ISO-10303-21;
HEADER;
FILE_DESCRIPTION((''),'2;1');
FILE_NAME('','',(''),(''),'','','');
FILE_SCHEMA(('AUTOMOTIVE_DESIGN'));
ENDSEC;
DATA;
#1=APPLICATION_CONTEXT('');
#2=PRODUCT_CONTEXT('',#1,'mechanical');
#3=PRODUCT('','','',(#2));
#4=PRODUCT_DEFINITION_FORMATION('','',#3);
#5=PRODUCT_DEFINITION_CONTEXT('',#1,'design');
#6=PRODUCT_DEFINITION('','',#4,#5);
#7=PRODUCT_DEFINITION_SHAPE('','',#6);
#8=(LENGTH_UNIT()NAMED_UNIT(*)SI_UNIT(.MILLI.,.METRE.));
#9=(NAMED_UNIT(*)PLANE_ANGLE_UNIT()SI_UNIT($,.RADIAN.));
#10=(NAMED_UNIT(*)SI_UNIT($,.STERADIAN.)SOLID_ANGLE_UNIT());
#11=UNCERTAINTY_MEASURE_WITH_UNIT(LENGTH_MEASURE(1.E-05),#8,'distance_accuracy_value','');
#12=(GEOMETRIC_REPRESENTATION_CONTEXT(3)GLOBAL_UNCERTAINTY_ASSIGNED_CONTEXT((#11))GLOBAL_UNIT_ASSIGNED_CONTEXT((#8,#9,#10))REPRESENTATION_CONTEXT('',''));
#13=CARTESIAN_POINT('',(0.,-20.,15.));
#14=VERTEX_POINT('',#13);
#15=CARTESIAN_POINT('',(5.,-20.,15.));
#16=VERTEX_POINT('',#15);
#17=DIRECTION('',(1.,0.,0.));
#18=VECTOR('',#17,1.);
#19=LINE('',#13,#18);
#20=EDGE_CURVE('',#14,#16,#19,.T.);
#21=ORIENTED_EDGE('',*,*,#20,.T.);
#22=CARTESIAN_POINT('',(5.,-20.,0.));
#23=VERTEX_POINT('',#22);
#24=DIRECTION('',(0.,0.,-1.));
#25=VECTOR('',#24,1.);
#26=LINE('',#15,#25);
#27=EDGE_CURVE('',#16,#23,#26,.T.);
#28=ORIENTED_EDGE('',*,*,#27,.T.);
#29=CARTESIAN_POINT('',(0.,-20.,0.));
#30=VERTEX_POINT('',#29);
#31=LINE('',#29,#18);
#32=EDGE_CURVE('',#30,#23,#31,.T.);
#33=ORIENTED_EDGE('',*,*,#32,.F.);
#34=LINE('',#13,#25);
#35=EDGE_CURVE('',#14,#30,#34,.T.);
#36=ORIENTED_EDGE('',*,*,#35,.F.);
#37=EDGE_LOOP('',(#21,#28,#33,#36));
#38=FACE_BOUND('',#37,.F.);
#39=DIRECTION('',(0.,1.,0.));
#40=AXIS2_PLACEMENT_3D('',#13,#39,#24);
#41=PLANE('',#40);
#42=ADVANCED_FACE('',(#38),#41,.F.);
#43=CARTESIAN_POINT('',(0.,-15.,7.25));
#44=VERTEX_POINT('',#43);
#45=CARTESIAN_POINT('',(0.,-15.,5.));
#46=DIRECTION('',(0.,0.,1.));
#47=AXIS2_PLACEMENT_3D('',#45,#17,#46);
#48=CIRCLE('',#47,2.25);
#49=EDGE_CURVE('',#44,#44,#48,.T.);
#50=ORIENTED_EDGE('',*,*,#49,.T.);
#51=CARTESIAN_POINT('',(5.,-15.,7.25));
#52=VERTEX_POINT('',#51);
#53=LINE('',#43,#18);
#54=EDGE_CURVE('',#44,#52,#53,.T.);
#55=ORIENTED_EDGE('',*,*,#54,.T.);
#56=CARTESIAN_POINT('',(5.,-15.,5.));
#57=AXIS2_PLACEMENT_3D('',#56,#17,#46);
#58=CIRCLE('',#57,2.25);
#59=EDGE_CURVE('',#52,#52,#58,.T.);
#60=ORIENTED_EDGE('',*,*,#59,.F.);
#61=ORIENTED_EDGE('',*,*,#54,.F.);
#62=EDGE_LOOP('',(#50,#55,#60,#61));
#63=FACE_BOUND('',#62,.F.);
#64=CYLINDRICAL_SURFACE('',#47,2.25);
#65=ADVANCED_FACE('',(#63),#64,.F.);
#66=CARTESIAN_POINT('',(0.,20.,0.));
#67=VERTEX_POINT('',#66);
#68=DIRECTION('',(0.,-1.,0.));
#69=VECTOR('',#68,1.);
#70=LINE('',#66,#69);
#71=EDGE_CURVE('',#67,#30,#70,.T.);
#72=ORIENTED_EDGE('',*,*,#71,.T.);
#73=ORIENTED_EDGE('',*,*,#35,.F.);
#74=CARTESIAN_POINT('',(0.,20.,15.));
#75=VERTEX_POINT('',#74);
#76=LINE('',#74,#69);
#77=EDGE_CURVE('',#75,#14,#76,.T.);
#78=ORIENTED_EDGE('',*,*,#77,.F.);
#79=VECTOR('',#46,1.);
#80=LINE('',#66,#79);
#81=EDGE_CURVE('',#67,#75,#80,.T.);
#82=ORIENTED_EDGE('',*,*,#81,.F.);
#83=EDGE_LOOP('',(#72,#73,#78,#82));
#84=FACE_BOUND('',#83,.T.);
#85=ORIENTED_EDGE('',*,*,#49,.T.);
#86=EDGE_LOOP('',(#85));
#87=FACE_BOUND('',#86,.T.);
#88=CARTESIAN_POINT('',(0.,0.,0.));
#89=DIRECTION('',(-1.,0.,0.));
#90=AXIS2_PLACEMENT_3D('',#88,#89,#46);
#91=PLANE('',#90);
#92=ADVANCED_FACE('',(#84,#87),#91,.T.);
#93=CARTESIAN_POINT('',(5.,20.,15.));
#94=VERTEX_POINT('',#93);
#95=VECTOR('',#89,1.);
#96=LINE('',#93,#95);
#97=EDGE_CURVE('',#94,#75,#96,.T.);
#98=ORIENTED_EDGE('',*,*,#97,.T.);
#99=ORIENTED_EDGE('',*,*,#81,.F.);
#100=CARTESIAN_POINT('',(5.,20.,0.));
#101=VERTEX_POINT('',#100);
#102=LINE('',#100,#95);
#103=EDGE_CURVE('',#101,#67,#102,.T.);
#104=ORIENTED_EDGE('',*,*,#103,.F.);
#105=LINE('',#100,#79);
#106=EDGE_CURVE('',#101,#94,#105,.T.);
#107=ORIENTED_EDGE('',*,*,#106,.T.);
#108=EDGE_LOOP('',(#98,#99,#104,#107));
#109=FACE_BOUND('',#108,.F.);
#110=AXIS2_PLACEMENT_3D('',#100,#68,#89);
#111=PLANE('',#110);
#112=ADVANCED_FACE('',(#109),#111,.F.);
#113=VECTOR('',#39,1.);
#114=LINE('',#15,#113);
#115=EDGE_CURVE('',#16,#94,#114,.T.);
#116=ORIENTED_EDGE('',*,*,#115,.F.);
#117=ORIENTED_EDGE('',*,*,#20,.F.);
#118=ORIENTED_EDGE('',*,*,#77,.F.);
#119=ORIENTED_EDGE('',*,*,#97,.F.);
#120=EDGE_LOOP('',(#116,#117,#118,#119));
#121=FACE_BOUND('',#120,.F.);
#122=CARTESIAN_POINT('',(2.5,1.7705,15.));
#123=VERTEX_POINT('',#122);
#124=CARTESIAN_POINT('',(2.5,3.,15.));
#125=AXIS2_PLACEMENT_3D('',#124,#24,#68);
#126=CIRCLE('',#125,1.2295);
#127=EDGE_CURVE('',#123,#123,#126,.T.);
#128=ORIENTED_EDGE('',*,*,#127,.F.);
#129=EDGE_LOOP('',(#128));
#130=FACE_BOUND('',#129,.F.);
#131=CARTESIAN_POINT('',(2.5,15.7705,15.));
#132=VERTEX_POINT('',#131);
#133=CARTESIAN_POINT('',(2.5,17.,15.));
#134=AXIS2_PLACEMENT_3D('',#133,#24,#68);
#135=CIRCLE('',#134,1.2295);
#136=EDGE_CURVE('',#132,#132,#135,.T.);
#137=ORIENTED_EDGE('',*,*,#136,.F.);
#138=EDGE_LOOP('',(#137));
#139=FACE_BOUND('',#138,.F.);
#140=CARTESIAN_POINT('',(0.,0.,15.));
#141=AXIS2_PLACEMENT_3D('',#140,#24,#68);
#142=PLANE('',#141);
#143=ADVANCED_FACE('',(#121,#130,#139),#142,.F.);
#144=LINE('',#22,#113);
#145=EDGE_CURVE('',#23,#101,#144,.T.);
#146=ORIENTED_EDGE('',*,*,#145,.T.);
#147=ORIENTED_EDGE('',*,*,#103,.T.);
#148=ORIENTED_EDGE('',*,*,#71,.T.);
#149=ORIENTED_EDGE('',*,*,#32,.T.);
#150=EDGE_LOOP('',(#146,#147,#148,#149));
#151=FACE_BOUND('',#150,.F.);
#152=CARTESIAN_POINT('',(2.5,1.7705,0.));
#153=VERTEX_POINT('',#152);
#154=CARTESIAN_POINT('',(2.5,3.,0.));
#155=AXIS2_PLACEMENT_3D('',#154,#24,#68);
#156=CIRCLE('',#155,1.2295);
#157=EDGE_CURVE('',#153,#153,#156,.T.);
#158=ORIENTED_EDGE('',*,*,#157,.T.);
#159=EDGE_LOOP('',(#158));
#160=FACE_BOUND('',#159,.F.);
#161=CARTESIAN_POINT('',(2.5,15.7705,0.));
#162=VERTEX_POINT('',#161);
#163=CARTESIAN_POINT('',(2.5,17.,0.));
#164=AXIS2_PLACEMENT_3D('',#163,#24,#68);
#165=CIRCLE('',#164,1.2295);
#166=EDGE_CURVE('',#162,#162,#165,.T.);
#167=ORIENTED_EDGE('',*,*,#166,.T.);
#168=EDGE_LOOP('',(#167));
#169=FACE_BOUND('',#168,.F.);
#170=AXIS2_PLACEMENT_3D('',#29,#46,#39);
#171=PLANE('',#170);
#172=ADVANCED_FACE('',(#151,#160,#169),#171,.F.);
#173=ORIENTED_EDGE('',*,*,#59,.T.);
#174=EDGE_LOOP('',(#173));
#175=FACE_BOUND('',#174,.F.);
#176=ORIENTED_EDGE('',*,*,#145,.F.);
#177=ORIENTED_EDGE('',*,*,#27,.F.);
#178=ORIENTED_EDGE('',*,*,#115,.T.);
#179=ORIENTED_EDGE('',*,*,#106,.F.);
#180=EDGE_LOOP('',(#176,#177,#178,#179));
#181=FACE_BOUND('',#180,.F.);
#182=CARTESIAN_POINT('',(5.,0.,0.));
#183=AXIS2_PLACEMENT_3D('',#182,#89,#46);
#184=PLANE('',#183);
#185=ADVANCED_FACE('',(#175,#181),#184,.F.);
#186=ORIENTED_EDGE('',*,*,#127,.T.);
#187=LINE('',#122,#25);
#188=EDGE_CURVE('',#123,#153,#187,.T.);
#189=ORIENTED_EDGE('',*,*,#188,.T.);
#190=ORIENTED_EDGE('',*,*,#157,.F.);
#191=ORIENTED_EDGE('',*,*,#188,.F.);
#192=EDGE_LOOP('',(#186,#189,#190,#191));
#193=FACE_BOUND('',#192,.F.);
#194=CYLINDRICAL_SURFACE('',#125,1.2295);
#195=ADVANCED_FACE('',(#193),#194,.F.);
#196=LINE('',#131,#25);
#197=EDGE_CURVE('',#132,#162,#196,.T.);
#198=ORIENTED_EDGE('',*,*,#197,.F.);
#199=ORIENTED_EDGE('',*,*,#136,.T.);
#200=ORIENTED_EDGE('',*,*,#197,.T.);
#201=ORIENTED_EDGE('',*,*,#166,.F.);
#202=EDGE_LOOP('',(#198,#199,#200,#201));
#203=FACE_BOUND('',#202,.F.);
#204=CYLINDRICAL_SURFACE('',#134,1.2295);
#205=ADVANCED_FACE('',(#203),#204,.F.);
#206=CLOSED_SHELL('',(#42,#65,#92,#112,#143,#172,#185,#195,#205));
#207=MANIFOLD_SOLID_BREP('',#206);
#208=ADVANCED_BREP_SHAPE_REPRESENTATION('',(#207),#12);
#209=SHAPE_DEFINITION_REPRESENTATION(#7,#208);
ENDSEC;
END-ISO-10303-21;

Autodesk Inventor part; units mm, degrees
ref_plane "YZ Plane" through (0, 0, 0) normal (1, 0, 0) x (0, 1, 0)
ref_plane "XZ Plane" through (0, 0, 0) normal (0, 1, 0) x (-1, 0, 0)
ref_plane "XY Plane" through (0, 0, 0) normal (0, 0, 1) x (1, 0, 0)
sketch "Sketch1" plane through (0, 0, 0) normal (0, 0, 1) x (1, 0, 0)
  line L0 (0, 0) -> (5, 0)
  line L1 (5, 0) -> (5, 20)
  line L2 (5, 20) -> (0, 20)
  line L3 (0, 20) -> (0, 0)
  dimension "d0" = 5
  dimension "d1" = 20
extrude "Extrusion1" add sketch "Sketch1" along normal blind 15
sketch "Sketch2" plane through (0, 0, 15) normal (0, 0, 1) x (1, 0, 0)
  line L0 (5, 20) -> (0, 20) projected
  circle A0 centre (2.5, 3) radius 1.5
  line L1 (0, 20) -> (0, 0) projected
  line L2 (0, 10) -> (5, 10)
  line L3 (5, 0) -> (5, 20) projected
  circle A1 centre (2.5, 17) radius 1.5
  line L4 (0, 0) -> (5, 0) projected
  point P0 (2.5, 0)
  dimension "d4" = 3
  dimension "d12" = 3
hole "Hole1" at (2.5, 17, 15) at (2.5, 3, 15) direction (0, 0, -1) diameter 2.459 end through all thread size "M3x0.5" class "6H" standard "ISO Metric profile"
sketch "Sketch3" plane through (0, 0, 15) normal (0, 0, 1) x (1, 0, 0)
  line L0 (0, 20) -> (0, 0) projected
  line L1 (0, 10) -> (5, 10)
  line L2 (5, 0) -> (5, 20) projected
sketch "Sketch6" plane through (0, 0, 0) normal (-1, 0, 0) x (0, 0, 1)
  line L0 (0, 0) -> (0, 20) projected
  line L1 (0, 0) -> (15, 0)
  line L2 (15, 0) -> (15, -20)
  line L3 (15, -20) -> (0, -20)
  line L4 (0, -20) -> (0, 0)
  dimension "d24" = 15
  dimension "d25" = 20
extrude "Extrusion2" add sketch "Sketch6" against normal blind 5
sketch "Sketch9" plane through (0, 20, 0) normal (-1, 0, 0) x (0, 0, 1)
  line L0 (0, -20) -> (15, -20)
  line L1 (15, 0) -> (15, -40) projected
  circle A0 centre (5, -35) radius 2.5
  line L2 (0, -40) -> (15, -40) projected
  line L3 (0, 0) -> (0, -40) projected
  point P0 (7.5, -40)
  dimension "d28" = 5
  dimension "d37" = 5
  dimension "d38" = 5
hole "Hole3" at (0, -15, 5) direction (1, 0, 0) diameter 4.5 end through all clearance for "Countersunk Flat Head Screw ISO 2009/7046" size "M4" standard "ISO"
properties part number "Al Attach block"
